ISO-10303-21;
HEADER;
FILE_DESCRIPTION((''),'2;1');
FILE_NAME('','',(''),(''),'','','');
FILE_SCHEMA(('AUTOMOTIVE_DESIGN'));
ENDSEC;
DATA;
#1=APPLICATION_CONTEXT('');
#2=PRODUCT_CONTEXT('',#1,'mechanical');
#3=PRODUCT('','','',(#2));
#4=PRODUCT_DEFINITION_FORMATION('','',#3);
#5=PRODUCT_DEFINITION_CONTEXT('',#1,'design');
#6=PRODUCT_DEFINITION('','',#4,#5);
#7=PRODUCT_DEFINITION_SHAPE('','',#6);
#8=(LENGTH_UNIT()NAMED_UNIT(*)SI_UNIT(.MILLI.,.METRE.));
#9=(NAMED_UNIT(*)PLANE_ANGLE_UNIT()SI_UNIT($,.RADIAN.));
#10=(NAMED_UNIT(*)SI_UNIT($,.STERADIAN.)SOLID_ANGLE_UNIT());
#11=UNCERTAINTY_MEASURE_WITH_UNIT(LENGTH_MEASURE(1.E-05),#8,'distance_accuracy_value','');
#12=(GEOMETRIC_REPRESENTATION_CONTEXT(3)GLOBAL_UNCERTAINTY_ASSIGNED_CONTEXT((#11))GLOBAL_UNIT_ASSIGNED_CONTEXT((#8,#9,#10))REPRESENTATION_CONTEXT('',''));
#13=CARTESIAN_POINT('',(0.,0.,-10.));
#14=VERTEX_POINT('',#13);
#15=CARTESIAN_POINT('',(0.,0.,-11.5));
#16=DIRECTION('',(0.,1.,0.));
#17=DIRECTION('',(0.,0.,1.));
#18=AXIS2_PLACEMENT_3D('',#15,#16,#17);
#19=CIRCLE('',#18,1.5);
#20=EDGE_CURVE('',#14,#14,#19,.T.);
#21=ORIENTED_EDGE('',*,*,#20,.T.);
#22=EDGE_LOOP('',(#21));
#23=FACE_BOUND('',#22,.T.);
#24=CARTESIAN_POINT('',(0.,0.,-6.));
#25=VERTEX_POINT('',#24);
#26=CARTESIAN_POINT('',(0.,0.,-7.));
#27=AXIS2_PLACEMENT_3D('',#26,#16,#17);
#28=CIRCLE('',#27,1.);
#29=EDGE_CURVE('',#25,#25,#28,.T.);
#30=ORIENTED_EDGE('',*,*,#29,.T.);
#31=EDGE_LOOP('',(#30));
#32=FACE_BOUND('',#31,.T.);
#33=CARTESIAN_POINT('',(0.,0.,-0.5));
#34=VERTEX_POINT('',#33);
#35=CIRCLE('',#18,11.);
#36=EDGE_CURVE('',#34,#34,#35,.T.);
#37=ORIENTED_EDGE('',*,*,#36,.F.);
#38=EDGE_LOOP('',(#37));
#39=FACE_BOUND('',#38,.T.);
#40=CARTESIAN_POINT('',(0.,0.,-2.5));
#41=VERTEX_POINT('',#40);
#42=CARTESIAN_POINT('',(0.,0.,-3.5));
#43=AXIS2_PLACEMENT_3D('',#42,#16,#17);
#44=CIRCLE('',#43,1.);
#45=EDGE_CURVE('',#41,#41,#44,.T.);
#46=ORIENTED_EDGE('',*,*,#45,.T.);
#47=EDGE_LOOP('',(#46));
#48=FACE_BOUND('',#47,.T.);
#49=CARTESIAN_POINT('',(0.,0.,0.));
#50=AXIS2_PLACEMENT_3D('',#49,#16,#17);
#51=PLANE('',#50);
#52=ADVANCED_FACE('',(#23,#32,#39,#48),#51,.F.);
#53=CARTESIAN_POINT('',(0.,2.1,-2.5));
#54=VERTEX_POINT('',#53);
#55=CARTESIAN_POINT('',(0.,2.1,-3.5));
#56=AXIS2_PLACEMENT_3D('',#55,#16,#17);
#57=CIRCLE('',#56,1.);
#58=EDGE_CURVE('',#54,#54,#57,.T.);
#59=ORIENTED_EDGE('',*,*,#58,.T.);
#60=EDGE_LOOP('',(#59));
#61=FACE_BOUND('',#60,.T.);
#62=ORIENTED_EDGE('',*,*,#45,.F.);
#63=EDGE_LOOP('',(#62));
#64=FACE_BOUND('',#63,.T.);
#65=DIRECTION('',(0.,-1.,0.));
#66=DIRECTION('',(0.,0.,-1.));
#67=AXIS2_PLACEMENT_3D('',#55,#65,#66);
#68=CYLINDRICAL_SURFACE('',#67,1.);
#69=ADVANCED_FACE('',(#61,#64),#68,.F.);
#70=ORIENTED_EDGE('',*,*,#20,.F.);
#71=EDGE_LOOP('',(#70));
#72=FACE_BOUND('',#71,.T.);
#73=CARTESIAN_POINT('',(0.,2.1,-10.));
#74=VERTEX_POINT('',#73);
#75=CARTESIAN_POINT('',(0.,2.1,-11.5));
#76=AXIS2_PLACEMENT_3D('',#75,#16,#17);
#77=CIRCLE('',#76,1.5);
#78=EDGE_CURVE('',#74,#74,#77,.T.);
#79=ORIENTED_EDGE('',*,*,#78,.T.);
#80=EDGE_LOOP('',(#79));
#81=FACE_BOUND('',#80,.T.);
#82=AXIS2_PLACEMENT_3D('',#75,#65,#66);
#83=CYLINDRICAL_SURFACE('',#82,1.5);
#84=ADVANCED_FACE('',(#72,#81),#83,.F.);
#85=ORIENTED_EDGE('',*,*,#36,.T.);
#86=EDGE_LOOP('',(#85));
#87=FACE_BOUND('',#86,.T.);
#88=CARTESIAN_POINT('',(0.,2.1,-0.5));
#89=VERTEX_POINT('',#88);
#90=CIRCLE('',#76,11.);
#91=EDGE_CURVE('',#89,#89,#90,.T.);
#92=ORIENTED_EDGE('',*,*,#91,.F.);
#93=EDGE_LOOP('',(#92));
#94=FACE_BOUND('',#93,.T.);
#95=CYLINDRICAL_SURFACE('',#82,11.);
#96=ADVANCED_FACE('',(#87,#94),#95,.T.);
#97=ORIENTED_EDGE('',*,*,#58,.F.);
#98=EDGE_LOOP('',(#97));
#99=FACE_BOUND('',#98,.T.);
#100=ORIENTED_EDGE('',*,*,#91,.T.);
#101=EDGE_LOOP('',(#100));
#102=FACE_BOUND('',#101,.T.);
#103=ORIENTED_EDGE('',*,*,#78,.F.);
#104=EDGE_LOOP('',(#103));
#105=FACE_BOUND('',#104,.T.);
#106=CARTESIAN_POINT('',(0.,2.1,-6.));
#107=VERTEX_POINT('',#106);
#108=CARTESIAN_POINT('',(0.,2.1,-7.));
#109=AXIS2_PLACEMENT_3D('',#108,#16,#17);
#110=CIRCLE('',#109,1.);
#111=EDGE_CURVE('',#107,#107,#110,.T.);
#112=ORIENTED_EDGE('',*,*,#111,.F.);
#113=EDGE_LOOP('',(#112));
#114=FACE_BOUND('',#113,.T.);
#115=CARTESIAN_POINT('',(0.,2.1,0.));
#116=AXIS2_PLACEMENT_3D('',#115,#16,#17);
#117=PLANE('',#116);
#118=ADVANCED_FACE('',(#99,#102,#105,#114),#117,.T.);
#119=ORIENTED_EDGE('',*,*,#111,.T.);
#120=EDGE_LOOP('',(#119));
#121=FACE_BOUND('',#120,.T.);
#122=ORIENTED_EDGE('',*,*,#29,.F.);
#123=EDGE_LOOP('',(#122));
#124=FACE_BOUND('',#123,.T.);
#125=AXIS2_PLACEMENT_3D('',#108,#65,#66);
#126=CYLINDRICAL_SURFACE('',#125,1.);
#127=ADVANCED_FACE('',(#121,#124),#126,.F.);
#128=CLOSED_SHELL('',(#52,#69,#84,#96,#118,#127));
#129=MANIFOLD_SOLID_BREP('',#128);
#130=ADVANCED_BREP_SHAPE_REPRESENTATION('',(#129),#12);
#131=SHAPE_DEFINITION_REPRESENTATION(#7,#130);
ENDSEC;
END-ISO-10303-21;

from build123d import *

# Parameters (mm, degrees)
SKETCH2_R           = 11
SKETCH2_R_2         = 1.5
SKETCH2_R_3         = 1
BOSS_EXTRUDE1_DEPTH = 2.1


with BuildPart() as part:
    # Sketch2 → Boss-Extrude1 (new body)
    with BuildSketch(Plane(origin=(0, 0, 0), x_dir=(1, 0, 0), z_dir=(0, 1, 0))):
        with Locations(Location((0, 11.5, 0), (0, 0, 270))):
            Circle(SKETCH2_R)
        with Locations(Location((0, 11.5, 0), (0, 0, 270))):
            Circle(SKETCH2_R_2, mode=Mode.SUBTRACT)
        with Locations(Location((0, 3.5, 0), (0, 0, 270))):
            Circle(SKETCH2_R_3, mode=Mode.SUBTRACT)
        with Locations(Location((0, 7, 0), (0, 0, 270))):
            Circle(SKETCH2_R_3, mode=Mode.SUBTRACT)
    extrude(amount=BOSS_EXTRUDE1_DEPTH)


solid = part.part
